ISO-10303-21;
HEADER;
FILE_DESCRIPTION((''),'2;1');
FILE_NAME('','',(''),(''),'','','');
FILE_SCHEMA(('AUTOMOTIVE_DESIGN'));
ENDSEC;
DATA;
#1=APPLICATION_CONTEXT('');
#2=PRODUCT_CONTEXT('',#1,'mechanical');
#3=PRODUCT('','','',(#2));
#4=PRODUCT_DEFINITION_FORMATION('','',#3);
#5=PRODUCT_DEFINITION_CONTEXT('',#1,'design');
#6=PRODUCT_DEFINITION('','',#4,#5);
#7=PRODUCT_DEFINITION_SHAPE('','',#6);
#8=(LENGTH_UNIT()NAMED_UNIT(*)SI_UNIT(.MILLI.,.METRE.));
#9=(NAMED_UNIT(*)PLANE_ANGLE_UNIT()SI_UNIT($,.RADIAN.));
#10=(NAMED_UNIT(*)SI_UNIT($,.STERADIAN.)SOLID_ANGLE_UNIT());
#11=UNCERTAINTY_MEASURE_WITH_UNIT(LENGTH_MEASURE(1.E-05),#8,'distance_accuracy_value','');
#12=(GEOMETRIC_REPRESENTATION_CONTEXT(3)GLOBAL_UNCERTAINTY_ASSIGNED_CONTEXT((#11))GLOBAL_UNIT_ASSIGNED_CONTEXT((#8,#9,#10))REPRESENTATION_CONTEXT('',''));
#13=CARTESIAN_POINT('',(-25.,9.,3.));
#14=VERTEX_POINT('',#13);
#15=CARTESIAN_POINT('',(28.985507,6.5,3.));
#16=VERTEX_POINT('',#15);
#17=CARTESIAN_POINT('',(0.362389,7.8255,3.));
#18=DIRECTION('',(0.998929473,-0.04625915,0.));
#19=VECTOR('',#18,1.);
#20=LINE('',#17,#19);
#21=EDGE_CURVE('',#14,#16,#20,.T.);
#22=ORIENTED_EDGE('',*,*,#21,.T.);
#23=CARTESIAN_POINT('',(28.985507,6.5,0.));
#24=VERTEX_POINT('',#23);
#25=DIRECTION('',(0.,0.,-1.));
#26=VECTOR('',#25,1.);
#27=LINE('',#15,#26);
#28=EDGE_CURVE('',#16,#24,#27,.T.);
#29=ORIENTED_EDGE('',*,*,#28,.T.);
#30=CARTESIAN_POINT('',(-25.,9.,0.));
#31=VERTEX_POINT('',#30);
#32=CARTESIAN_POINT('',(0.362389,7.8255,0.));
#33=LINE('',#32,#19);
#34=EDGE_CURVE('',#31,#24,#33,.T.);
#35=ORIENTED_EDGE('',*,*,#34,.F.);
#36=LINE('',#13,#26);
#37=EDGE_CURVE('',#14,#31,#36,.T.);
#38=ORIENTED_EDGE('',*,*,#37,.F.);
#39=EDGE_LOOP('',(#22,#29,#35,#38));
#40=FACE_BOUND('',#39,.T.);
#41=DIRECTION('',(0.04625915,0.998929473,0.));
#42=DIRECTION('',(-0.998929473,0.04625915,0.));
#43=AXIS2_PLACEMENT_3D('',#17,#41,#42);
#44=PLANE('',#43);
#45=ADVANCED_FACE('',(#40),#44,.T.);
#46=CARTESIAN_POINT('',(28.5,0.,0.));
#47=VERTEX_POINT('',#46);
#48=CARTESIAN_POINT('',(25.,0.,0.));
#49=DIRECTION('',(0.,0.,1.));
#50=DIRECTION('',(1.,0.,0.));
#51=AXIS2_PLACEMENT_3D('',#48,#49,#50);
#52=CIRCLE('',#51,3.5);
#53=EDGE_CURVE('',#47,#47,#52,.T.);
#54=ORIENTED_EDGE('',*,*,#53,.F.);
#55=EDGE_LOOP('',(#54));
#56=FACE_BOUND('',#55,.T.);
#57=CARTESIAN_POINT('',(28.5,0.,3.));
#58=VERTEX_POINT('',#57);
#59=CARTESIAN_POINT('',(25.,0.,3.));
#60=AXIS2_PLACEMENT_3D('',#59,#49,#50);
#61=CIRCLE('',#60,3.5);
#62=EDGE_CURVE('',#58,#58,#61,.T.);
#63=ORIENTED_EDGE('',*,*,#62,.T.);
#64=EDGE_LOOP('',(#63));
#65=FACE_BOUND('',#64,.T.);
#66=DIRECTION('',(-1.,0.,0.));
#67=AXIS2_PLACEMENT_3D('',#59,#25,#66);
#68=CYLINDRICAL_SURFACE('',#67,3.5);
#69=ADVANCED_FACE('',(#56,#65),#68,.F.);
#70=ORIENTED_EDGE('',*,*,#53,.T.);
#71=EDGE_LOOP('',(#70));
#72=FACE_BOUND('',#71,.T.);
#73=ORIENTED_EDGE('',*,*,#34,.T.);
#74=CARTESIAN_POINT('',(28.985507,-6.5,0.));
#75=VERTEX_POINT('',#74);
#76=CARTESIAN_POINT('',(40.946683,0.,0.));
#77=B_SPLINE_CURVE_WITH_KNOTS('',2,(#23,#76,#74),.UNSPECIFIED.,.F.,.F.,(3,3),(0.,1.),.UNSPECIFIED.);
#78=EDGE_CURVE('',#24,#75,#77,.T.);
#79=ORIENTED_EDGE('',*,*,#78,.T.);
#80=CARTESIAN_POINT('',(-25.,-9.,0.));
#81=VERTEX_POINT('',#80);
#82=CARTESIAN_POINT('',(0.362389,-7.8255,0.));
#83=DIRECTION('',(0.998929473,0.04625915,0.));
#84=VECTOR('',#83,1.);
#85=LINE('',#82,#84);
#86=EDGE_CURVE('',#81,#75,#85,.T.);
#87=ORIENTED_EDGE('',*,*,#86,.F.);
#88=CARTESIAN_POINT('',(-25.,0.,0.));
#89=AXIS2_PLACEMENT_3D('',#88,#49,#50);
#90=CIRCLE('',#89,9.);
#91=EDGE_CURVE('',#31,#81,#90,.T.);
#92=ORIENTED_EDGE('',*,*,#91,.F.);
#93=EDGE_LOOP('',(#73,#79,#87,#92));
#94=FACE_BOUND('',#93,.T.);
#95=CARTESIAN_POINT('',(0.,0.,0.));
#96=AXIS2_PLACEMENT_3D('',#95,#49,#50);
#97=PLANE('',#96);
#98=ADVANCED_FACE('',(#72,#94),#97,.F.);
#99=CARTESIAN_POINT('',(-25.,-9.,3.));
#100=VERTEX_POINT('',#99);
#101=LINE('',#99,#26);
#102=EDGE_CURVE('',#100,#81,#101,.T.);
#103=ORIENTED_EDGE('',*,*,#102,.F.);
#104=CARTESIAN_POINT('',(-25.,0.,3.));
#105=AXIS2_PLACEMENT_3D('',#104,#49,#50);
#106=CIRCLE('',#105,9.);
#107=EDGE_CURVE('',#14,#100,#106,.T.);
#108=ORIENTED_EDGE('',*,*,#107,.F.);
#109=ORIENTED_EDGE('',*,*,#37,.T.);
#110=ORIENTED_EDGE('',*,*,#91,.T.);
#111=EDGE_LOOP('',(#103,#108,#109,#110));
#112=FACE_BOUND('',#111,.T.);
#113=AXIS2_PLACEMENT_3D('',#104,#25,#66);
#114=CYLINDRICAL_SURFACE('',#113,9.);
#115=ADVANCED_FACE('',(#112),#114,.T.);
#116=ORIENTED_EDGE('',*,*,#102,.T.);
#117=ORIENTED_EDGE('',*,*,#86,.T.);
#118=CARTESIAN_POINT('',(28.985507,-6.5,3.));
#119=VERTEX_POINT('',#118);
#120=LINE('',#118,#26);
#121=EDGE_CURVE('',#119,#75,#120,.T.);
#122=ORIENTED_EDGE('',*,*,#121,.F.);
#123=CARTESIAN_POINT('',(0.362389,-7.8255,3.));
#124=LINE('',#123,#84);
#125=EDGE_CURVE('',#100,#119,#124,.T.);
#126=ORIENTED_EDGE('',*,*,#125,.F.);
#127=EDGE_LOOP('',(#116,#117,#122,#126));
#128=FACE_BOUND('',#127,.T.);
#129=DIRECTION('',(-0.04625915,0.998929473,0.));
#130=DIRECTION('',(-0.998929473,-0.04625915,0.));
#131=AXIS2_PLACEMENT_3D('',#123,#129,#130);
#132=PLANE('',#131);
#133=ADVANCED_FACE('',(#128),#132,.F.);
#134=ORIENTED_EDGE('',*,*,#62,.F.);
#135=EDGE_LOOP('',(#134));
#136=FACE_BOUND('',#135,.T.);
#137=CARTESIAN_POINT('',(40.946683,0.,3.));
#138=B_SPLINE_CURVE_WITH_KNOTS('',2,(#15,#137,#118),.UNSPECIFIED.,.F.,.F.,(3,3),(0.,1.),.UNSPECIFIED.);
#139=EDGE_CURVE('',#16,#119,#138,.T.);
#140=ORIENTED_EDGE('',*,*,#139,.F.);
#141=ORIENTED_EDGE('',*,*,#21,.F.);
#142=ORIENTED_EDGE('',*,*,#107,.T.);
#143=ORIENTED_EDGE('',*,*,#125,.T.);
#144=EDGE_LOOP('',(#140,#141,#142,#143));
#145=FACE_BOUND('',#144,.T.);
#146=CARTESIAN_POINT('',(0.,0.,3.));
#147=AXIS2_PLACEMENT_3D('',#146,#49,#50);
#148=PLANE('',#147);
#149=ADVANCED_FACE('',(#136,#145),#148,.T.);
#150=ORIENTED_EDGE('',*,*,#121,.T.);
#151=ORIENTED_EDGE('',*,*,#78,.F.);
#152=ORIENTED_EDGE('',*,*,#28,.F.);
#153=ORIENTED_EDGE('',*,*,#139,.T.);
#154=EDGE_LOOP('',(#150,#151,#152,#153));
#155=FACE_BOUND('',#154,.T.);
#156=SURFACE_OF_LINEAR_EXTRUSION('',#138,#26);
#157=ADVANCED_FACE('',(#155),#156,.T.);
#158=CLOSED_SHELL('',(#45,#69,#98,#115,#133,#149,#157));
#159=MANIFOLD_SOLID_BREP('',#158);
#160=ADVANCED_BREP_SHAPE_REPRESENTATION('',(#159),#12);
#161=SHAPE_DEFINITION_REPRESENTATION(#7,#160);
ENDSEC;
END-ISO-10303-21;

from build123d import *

# Parameters (mm, degrees)
SKETCH1_R           = 3.5
BOSS_EXTRUDE1_DEPTH = 3


with BuildPart() as part:
    # Sketch1 → Boss-Extrude1 (new body)
    with BuildSketch(Plane.XY):
        with BuildLine():
            Line((-25, 9), (28.985507246, 6.5))
            add(Edge.make_bspline(
                [(28.985507246, 6.5), (40.946682853, 0), (28.985507246, -6.5)],
                knots=[0, 0, 0, 1, 1, 1], degree=2))
            Line((28.985507246, -6.5), (-25, -9))
            ThreePointArc((-25, -9), (-34, 0), (-25, 9))
        make_face()
        with Locations((25, 0)):
            Circle(SKETCH1_R, mode=Mode.SUBTRACT)
    extrude(amount=BOSS_EXTRUDE1_DEPTH)


solid = part.part
